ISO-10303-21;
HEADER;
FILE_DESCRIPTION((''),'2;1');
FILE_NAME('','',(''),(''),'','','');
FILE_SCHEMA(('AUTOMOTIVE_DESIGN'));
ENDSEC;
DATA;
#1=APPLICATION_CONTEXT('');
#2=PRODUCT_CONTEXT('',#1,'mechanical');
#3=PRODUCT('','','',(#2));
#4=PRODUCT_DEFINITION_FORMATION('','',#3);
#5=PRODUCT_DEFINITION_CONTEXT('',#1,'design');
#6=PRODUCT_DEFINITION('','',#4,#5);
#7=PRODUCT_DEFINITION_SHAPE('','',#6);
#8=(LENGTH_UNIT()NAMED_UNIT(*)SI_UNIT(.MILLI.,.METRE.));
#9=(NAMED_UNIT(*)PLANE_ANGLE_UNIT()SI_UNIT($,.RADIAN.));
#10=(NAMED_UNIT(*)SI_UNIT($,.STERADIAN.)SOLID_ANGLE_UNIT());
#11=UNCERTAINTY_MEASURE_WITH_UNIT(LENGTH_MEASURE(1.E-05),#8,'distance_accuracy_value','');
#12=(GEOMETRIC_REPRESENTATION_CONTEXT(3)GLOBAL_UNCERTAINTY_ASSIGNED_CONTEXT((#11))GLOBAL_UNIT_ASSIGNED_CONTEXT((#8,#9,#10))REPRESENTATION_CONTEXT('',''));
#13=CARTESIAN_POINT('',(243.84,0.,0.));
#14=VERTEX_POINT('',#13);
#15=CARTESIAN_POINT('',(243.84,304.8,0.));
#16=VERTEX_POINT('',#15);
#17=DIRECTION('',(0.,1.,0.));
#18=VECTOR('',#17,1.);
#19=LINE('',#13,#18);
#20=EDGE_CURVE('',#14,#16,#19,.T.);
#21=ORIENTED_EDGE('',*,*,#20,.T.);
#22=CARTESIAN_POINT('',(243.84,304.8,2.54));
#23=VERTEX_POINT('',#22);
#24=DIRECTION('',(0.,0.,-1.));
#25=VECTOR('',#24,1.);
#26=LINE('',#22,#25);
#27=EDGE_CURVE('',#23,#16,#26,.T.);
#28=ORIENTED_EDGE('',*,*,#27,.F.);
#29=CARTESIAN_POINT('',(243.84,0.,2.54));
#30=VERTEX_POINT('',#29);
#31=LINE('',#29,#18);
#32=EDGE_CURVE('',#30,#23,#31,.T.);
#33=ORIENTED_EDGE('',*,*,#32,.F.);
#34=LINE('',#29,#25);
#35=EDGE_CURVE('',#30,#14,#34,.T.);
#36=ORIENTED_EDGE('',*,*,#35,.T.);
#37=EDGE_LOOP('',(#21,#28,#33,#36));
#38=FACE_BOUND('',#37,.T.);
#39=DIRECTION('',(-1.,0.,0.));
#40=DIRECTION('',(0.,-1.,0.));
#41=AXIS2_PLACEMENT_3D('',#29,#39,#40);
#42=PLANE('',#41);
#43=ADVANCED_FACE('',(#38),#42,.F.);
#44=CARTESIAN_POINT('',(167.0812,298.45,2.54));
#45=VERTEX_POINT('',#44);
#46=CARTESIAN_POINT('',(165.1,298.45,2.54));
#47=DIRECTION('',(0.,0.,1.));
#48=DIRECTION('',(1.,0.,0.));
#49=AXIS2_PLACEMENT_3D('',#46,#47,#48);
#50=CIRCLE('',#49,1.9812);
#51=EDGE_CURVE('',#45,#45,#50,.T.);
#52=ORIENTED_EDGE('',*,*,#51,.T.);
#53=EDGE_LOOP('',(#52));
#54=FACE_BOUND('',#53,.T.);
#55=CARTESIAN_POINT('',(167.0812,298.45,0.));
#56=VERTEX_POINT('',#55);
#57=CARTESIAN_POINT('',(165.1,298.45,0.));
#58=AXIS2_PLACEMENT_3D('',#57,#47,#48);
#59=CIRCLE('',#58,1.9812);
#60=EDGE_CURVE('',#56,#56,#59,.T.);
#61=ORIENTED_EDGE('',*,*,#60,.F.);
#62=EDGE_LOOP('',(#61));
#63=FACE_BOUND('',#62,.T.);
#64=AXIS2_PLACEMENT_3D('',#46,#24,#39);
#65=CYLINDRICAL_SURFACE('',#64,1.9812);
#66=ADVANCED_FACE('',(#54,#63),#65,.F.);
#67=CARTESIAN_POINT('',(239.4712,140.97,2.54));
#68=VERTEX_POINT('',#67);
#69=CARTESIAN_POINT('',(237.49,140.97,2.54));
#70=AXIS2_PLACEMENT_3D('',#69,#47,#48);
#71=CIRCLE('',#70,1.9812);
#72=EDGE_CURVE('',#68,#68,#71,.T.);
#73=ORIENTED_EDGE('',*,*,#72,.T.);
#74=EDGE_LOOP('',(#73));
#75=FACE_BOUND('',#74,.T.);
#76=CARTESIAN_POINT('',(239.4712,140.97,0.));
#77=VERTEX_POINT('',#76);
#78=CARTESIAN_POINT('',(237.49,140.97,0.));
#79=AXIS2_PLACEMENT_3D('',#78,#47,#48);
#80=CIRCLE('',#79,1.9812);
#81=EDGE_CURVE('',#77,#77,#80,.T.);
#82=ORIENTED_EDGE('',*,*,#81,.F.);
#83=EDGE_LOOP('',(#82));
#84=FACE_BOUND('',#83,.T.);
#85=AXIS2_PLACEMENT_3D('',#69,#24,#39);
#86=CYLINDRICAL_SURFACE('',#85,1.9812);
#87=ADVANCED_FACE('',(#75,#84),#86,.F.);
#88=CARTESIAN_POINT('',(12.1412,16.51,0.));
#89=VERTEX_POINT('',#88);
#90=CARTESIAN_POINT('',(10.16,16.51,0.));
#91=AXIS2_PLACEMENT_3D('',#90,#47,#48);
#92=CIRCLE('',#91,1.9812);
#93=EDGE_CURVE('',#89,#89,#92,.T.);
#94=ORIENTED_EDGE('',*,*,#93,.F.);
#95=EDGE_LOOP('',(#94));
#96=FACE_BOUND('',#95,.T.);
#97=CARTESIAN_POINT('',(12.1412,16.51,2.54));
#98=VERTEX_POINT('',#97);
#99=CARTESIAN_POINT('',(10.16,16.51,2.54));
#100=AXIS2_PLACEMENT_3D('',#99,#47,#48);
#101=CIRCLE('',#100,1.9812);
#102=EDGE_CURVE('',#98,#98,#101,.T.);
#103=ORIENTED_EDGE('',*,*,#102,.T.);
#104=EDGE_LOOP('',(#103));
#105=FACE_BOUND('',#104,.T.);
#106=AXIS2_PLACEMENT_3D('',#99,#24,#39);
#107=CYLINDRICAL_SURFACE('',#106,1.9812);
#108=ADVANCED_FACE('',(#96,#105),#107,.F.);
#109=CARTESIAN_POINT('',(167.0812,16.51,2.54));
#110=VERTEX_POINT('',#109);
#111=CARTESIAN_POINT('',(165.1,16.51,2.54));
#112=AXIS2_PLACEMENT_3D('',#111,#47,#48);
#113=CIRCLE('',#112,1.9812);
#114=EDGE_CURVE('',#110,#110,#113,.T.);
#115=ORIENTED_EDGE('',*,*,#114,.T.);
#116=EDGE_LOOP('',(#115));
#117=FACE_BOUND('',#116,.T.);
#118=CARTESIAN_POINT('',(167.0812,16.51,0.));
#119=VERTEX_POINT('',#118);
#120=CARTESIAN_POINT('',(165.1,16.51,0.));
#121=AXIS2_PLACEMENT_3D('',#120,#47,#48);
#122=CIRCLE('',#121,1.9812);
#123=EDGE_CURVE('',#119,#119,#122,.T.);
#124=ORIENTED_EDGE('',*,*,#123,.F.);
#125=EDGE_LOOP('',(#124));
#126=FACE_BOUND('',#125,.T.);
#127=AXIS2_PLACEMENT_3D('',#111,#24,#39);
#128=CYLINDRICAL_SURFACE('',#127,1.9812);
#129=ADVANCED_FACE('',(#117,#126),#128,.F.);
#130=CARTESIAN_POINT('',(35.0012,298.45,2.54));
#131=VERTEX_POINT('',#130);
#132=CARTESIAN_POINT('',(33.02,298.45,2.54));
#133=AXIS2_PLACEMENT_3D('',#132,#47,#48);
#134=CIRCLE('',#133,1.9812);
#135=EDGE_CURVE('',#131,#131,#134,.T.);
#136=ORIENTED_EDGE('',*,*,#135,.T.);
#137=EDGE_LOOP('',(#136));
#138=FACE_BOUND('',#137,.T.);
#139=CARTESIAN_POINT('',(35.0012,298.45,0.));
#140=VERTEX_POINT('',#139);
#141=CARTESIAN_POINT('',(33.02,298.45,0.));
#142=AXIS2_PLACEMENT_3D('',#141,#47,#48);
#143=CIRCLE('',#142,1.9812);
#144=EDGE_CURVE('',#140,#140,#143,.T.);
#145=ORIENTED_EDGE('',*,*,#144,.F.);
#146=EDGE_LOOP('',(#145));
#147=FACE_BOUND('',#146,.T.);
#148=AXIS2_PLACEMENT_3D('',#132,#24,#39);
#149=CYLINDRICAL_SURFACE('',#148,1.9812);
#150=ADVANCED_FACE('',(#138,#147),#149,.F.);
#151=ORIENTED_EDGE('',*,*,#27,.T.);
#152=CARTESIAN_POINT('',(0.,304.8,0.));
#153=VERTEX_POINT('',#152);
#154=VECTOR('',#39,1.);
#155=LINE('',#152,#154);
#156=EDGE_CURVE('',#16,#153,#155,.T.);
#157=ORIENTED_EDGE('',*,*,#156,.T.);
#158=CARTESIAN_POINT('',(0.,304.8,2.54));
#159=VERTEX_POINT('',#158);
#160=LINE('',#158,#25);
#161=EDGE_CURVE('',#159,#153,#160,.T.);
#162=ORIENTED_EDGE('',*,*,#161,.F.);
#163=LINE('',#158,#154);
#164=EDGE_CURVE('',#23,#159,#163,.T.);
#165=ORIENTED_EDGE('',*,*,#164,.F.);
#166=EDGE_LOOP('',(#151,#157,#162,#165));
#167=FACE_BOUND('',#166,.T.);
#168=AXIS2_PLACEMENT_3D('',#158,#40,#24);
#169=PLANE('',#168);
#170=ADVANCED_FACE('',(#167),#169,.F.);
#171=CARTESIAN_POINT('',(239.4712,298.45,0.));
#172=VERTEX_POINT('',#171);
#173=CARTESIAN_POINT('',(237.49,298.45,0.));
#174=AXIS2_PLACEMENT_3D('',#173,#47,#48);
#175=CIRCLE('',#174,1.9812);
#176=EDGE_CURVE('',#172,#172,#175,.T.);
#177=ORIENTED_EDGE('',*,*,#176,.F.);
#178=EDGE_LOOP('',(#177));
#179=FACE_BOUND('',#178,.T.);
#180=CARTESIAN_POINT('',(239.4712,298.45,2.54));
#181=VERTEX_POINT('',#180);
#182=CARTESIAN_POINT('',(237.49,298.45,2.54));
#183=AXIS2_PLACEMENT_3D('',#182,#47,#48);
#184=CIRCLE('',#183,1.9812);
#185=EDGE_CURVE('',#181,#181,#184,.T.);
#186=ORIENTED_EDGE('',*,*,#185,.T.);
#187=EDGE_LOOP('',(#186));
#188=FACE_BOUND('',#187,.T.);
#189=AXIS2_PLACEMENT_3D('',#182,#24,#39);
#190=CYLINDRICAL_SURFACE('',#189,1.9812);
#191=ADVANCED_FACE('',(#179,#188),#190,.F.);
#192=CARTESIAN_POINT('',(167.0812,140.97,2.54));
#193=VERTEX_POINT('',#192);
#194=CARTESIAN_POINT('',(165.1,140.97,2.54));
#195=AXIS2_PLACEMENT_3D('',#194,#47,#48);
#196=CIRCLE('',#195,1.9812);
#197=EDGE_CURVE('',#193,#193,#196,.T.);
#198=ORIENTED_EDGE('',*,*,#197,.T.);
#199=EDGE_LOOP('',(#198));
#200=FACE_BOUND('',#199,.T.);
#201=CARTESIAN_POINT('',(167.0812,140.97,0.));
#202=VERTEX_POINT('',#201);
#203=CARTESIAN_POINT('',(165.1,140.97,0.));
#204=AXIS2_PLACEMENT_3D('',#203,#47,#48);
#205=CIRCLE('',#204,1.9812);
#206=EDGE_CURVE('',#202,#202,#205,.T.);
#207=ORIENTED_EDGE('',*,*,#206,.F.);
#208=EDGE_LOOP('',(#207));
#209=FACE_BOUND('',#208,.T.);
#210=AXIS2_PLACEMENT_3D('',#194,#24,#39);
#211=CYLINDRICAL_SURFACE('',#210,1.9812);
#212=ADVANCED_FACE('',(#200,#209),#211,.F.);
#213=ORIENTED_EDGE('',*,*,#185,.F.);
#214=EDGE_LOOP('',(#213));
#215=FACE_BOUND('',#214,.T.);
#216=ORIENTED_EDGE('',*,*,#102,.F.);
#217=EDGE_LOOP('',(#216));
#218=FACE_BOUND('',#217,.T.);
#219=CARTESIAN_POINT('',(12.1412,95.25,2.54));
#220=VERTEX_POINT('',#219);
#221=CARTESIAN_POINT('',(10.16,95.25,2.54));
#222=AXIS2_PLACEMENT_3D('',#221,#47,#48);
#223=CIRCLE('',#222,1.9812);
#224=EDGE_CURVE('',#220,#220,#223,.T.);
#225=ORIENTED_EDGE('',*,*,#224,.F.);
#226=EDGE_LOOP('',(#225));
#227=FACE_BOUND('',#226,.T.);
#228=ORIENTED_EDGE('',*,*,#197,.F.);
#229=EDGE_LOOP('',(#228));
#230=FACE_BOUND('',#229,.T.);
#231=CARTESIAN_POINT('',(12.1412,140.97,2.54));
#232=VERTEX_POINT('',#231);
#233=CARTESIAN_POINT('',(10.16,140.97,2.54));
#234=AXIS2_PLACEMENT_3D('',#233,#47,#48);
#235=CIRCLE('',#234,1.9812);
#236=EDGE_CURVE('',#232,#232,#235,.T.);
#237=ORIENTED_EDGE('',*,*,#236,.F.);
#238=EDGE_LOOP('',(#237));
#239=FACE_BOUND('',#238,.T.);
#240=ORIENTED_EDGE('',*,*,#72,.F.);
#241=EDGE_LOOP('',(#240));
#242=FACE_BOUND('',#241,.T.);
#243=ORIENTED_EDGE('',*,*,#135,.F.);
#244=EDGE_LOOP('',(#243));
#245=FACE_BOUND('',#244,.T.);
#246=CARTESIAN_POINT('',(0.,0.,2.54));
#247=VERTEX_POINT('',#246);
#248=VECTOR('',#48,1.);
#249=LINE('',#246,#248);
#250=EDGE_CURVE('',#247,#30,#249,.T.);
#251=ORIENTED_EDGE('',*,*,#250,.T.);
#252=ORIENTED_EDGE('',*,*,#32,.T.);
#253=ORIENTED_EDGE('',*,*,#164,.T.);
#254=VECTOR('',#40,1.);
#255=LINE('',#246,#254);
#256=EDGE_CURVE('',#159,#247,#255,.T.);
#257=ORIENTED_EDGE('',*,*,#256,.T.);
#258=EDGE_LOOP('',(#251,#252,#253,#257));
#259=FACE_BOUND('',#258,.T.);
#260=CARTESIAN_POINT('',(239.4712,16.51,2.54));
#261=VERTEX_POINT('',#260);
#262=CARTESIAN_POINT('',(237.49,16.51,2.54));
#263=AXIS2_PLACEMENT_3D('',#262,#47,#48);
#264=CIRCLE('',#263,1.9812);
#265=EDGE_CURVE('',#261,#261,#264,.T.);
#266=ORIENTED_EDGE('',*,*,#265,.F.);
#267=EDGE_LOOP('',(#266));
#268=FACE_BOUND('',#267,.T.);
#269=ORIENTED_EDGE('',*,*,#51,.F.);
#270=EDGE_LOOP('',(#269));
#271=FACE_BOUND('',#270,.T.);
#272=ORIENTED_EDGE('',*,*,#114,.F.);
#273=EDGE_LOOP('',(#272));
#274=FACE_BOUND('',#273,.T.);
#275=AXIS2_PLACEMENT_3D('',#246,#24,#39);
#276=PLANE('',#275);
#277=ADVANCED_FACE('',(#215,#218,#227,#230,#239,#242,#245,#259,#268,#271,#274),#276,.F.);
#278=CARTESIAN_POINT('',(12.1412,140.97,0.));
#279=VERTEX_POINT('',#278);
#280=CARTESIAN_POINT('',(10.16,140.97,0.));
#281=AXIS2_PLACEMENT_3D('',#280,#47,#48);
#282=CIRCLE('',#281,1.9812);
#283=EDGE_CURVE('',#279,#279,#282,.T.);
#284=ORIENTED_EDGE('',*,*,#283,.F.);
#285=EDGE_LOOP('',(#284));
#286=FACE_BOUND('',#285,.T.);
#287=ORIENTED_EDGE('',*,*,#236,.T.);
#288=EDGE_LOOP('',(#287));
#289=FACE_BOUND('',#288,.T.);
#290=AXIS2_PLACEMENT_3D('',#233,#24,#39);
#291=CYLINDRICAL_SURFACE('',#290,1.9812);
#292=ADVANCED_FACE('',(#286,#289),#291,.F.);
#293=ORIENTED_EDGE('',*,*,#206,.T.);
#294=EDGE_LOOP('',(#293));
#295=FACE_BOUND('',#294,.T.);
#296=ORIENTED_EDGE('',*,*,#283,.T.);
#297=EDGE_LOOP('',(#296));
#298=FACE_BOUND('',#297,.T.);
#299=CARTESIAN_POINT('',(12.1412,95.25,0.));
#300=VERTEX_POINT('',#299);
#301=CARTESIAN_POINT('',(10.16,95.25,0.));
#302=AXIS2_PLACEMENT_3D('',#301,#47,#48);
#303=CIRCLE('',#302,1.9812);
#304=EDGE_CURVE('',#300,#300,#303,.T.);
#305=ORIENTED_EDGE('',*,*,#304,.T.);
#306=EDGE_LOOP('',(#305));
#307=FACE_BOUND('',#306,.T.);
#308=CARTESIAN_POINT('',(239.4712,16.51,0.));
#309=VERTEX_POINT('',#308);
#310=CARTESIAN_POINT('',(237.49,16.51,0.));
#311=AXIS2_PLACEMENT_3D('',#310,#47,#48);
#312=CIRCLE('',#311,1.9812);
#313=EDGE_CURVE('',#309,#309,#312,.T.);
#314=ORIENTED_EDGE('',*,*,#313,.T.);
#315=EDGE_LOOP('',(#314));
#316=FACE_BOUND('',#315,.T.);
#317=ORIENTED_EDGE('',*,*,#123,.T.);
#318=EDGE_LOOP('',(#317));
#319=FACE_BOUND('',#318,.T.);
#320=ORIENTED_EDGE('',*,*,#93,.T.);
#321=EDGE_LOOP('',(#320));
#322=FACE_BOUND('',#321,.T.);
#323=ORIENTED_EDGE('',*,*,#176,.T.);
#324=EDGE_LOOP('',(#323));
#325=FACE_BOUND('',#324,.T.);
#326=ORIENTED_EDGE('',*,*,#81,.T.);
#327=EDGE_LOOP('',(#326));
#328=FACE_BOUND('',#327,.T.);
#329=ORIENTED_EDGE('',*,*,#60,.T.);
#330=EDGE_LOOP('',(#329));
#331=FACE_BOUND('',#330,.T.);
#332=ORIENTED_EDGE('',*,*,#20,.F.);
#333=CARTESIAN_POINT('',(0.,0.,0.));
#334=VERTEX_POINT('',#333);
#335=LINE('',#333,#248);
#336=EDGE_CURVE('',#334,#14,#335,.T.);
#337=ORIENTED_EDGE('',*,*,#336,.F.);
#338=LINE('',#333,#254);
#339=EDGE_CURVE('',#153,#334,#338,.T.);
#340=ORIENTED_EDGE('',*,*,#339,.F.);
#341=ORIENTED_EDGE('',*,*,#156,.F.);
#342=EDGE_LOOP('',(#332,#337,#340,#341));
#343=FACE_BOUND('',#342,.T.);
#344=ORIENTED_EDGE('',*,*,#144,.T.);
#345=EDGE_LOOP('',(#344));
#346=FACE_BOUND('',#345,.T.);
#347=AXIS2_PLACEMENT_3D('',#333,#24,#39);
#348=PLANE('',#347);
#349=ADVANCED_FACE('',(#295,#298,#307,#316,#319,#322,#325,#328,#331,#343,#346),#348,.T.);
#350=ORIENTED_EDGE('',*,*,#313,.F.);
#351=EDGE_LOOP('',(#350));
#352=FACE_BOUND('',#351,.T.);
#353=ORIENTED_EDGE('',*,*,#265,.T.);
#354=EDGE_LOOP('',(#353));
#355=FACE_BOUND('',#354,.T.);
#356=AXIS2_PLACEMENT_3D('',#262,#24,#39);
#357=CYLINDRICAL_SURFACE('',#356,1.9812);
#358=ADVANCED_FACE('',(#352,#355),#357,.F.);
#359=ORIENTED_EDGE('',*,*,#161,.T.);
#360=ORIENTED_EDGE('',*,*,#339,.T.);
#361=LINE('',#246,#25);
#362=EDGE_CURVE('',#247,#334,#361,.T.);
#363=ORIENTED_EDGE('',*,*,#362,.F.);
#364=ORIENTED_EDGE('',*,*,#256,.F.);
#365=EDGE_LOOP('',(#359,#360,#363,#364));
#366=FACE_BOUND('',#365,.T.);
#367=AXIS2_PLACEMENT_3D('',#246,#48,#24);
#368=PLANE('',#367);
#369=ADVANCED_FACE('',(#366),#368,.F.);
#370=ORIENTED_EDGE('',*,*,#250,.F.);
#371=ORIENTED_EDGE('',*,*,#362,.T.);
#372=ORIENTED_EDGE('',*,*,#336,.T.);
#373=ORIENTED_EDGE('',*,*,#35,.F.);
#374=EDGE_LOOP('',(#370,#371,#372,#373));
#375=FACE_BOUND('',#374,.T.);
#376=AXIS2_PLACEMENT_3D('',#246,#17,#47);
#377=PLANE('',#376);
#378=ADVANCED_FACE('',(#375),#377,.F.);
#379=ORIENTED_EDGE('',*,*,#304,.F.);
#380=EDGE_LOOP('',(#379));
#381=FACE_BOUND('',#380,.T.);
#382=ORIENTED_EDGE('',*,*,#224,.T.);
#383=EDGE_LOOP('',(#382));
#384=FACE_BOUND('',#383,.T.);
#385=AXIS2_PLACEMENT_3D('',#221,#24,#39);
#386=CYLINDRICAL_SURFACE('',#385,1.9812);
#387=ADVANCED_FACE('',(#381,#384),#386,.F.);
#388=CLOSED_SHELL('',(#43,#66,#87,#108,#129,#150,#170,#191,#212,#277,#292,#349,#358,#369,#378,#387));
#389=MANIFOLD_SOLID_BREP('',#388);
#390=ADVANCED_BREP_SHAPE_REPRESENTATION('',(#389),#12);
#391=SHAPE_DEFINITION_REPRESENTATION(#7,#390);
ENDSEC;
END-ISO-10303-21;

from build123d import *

# Parameters (mm, degrees)
SKETCH_1_W      = 243.84
SKETCH_1_H      = 304.8
SKETCH_1_R      = 1.9812
EXTRUDE_1_DEPTH = 2.54


with BuildPart() as part:
    # 스케치1 → 보스-돌출1 (new body)
    with BuildSketch(Plane.XY):
        with Locations((121.92, 152.4)):
            Rectangle(SKETCH_1_W, SKETCH_1_H)
        with Locations((33.02, 298.45)):
            Circle(SKETCH_1_R, mode=Mode.SUBTRACT)
        with Locations((165.1, 298.45)):
            Circle(SKETCH_1_R, mode=Mode.SUBTRACT)
        with Locations((237.49, 298.45)):
            Circle(SKETCH_1_R, mode=Mode.SUBTRACT)
        with Locations((237.49, 140.97)):
            Circle(SKETCH_1_R, mode=Mode.SUBTRACT)
        with Locations((165.1, 140.97)):
            Circle(SKETCH_1_R, mode=Mode.SUBTRACT)
        with Locations((10.16, 140.97)):
            Circle(SKETCH_1_R, mode=Mode.SUBTRACT)
        with Locations((10.16, 16.51)):
            Circle(SKETCH_1_R, mode=Mode.SUBTRACT)
        with Locations((165.1, 16.51)):
            Circle(SKETCH_1_R, mode=Mode.SUBTRACT)
        with Locations((237.49, 16.51)):
            Circle(SKETCH_1_R, mode=Mode.SUBTRACT)
        with Locations((10.16, 95.25)):
            Circle(SKETCH_1_R, mode=Mode.SUBTRACT)
    extrude(amount=EXTRUDE_1_DEPTH)


solid = part.part
